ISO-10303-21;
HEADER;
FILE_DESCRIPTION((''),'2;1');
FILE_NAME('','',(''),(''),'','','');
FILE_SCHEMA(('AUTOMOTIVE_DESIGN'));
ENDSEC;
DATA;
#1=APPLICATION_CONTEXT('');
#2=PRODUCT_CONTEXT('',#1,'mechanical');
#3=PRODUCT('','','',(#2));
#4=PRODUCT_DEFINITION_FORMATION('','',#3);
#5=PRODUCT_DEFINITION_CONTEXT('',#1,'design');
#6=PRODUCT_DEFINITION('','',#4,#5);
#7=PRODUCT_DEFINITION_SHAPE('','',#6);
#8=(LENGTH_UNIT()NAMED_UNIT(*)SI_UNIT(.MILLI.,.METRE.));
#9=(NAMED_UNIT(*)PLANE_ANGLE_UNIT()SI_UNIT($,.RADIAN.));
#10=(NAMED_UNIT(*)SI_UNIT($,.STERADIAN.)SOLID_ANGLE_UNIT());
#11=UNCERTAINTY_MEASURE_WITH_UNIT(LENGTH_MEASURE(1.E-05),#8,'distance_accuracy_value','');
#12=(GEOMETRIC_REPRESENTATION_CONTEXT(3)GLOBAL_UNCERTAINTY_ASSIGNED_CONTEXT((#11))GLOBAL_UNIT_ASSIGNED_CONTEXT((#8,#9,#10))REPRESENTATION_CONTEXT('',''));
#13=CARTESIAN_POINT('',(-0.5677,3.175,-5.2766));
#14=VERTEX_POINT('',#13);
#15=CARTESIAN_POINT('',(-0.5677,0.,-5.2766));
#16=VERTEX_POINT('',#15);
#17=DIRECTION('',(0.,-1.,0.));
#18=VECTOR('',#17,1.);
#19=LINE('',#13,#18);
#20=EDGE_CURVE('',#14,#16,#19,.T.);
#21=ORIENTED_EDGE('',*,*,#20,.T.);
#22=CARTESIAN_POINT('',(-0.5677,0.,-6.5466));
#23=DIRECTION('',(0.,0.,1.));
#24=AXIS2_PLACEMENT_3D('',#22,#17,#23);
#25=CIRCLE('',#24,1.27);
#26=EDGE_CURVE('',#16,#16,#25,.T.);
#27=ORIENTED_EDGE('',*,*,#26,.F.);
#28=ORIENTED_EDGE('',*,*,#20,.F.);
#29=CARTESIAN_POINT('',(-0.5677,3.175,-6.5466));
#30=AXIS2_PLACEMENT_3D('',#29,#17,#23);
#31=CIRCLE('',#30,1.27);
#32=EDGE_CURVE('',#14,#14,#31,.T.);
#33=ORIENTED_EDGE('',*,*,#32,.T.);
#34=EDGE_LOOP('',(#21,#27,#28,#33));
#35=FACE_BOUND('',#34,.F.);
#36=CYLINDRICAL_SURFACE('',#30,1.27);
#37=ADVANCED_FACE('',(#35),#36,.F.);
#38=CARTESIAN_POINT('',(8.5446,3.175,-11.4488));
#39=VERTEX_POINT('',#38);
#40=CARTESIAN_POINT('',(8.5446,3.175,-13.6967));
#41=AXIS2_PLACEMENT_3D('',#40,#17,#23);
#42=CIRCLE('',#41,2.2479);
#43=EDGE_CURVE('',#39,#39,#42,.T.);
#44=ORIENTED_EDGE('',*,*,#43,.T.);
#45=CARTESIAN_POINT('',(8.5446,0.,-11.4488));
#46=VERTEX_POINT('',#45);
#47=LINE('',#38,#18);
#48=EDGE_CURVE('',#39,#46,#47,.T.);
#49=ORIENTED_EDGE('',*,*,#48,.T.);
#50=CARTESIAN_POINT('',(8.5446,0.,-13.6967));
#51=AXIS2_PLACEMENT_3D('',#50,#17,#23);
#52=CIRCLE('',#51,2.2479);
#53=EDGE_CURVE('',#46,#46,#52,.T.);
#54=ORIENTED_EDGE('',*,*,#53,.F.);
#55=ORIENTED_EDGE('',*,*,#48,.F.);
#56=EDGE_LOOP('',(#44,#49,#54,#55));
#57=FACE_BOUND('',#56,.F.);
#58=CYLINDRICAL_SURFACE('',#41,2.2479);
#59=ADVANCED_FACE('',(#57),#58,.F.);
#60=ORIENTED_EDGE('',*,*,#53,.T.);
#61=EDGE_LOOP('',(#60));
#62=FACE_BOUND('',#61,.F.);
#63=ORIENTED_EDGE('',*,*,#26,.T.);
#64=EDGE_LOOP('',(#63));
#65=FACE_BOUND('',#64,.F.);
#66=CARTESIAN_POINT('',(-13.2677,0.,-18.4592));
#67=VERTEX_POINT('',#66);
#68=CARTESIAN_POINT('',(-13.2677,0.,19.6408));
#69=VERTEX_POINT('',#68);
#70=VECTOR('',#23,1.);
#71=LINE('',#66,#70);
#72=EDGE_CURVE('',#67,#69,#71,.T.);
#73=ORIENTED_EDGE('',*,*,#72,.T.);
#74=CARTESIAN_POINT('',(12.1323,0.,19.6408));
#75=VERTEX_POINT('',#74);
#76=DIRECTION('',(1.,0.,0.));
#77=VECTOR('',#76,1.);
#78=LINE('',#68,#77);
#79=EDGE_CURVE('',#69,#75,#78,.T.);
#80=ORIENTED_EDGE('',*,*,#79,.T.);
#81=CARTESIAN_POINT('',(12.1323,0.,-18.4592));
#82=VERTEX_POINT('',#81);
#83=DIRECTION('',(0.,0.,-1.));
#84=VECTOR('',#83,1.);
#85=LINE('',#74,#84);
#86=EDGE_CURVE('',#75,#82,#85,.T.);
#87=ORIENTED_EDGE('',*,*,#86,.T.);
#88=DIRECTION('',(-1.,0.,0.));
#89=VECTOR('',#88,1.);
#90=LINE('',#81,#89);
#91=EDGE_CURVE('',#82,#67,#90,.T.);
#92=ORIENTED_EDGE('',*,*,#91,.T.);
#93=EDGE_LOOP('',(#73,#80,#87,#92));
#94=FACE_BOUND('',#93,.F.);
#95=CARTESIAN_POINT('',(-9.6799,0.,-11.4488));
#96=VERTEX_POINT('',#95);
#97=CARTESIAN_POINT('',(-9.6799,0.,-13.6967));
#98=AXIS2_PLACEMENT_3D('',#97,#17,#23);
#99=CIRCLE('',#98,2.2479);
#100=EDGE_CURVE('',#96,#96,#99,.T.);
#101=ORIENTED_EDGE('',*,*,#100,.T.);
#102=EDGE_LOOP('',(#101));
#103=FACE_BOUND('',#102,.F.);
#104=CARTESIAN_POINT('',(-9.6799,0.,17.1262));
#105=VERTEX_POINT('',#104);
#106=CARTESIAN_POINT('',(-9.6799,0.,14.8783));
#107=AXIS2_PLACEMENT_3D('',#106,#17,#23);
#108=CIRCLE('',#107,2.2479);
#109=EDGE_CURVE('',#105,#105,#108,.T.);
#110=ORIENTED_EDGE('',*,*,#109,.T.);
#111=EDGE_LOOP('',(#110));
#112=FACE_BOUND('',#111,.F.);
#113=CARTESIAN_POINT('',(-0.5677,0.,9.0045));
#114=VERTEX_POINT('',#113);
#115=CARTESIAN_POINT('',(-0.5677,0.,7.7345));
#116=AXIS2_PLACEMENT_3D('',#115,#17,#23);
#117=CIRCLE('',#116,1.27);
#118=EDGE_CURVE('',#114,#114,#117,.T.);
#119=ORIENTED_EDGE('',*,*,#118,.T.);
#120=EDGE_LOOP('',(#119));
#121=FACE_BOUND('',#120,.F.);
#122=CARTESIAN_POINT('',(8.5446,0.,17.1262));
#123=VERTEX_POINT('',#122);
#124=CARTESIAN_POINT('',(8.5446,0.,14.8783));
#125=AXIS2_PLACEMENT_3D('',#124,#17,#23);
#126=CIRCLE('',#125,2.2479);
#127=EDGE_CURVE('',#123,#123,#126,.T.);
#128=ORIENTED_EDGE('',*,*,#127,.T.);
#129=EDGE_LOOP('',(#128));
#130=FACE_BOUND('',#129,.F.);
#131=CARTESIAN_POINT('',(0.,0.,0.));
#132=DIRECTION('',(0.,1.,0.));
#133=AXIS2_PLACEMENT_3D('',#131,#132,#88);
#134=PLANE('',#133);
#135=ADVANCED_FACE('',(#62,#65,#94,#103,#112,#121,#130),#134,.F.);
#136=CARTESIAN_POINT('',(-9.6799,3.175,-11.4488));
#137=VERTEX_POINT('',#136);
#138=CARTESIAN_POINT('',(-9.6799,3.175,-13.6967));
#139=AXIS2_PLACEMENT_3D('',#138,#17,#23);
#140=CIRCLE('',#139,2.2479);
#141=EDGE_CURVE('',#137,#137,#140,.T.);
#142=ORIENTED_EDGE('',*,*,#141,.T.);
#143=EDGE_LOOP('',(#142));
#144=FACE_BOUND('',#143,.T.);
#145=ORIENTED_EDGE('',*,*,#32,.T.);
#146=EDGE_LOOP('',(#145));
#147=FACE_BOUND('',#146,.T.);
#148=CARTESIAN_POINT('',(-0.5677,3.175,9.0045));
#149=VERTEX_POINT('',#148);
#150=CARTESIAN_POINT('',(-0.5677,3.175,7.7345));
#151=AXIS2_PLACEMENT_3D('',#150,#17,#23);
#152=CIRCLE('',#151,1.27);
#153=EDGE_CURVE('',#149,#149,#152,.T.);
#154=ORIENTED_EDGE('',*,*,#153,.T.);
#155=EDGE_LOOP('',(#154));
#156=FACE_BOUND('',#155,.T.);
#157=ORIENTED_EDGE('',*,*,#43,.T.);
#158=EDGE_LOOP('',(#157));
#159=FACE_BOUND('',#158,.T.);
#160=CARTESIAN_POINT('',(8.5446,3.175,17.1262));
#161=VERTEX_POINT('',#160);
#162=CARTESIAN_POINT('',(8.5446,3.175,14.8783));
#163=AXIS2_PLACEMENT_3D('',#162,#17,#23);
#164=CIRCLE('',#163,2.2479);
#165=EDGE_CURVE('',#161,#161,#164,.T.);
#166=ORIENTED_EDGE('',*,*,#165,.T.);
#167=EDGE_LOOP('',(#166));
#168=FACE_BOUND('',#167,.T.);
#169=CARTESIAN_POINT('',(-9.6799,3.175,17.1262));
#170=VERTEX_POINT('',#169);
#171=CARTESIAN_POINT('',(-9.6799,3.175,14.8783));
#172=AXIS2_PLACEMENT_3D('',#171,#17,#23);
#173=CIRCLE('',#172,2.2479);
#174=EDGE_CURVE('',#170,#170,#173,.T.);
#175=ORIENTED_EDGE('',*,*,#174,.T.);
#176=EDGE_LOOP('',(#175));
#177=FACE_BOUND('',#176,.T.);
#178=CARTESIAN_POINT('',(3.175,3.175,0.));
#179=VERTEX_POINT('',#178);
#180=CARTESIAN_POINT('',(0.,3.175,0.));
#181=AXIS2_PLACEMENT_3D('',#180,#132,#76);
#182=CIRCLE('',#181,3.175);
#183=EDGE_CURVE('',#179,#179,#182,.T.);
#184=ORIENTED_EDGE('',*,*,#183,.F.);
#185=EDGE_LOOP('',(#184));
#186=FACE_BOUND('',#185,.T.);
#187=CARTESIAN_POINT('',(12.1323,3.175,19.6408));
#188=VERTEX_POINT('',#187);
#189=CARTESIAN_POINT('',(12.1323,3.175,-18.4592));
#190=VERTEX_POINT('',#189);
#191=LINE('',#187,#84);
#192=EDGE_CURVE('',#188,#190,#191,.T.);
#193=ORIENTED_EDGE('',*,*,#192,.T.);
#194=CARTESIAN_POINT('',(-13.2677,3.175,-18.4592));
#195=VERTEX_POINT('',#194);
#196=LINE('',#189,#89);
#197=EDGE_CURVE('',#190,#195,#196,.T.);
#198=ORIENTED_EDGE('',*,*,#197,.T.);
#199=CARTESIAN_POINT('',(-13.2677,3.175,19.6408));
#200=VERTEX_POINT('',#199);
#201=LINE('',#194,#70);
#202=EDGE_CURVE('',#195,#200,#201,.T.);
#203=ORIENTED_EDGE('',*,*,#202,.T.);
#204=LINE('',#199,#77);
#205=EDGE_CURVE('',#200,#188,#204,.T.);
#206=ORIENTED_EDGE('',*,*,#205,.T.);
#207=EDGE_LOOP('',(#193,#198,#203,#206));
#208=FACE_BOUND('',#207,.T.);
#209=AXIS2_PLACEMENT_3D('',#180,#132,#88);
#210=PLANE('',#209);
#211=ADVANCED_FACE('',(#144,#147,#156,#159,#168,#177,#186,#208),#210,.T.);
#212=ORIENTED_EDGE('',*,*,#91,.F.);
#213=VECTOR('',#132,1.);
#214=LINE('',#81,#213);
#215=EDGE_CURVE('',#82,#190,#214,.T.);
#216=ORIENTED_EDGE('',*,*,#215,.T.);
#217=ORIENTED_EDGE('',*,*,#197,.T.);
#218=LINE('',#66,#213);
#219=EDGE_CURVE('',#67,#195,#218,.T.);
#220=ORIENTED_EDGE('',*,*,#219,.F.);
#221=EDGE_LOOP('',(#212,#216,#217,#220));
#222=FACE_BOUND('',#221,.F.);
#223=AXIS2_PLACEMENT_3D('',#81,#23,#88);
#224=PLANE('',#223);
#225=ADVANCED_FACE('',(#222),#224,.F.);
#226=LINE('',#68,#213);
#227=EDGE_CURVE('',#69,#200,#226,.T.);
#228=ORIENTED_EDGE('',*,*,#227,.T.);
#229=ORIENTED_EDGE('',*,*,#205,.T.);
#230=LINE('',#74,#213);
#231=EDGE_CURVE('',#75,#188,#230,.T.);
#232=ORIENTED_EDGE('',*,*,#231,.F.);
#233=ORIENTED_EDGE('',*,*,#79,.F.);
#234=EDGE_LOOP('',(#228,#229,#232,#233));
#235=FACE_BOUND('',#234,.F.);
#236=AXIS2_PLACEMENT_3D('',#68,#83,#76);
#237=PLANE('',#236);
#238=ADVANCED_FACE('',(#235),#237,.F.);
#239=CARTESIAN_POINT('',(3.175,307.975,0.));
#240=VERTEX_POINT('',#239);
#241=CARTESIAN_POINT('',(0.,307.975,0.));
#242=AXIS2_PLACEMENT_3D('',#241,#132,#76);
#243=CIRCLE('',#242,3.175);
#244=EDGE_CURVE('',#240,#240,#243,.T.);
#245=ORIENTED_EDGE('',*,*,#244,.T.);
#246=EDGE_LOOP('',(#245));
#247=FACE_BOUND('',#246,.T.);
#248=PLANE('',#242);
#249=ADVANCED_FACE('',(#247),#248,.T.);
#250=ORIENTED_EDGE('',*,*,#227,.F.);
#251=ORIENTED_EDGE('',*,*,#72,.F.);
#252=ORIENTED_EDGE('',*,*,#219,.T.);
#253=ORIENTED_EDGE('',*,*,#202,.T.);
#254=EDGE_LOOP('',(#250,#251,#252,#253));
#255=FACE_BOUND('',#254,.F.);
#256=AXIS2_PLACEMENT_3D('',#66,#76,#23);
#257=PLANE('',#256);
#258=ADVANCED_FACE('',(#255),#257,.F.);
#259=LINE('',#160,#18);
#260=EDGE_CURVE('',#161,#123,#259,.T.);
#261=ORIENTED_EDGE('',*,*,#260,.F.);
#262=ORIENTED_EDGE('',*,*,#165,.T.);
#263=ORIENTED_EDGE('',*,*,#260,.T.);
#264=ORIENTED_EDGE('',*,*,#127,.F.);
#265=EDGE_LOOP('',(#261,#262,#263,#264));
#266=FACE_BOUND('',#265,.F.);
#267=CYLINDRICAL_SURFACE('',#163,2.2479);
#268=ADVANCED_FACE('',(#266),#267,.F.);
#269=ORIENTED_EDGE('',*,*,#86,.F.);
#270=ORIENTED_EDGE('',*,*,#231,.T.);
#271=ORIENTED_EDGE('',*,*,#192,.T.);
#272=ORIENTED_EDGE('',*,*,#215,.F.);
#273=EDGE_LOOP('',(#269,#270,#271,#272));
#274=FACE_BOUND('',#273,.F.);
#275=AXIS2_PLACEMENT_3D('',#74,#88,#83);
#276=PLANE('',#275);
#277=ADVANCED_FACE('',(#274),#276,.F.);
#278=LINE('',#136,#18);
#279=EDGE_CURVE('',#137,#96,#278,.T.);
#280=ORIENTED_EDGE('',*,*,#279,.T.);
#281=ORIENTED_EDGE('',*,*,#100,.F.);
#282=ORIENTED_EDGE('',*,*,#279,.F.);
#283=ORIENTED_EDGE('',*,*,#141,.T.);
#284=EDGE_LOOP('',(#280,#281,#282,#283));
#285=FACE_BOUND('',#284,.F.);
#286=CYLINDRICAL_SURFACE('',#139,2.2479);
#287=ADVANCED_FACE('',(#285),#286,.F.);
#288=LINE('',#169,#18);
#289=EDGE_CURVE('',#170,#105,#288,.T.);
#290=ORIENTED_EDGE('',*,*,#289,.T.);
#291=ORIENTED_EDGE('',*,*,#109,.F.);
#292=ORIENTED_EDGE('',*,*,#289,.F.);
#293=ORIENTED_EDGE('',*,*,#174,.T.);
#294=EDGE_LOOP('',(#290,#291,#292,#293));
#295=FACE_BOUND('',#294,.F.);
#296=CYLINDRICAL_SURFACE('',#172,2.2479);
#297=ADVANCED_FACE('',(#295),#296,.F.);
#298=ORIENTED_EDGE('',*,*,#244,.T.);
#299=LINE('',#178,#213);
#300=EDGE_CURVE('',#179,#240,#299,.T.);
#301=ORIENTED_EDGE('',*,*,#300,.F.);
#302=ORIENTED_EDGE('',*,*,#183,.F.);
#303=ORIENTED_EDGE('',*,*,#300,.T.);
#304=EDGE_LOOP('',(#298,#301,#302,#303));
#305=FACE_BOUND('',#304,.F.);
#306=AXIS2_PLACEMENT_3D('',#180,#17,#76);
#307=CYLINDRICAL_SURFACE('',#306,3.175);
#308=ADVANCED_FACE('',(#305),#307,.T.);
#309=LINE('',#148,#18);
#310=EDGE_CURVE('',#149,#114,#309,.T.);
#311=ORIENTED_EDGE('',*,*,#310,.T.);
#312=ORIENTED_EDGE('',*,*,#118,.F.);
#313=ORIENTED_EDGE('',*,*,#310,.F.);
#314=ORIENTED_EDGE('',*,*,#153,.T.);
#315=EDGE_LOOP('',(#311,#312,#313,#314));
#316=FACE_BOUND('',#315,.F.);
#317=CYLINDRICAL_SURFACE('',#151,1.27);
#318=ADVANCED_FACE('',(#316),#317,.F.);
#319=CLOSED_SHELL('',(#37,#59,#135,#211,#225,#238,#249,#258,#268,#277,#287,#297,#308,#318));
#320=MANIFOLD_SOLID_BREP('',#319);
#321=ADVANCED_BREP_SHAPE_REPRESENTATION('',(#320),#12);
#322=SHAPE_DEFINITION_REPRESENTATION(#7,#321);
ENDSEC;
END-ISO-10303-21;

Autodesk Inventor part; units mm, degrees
ref_plane "YZ Plane" through (0, 0, 0) normal (1, 0, 0) x (0, 1, 0)
ref_plane "XZ Plane" through (0, 0, 0) normal (0, 1, 0) x (-1, 0, 0)
ref_plane "XY Plane" through (0, 0, 0) normal (0, 0, 1) x (1, 0, 0)
sketch "Sketch1" plane through (0, 0, 0) normal (0, 1, 0) x (-1, 0, 0)
  line L0 (13.2677, 19.6408) -> (-12.1323, 19.6408)
  line L1 (-12.1323, 19.6408) -> (-12.1323, -18.4592)
  line L2 (-12.1323, -18.4592) -> (13.2677, -18.4592)
  line L3 (13.2677, -18.4592) -> (13.2677, 19.6408)
  point P0 (0, 0)
  dimension "d0" = 25.4
  dimension "d1" = 38.1
extrude "Extrusion1" add sketch "Sketch1" along normal blind 3.175
hole "Hole1" at (-9.6799, 3.175, 14.8783) direction (0, -1, 0) diameter 4.4958 depth 3.175 clearance for "Flat Head Machine Screw (82)" size "#8" standard "Ansi Unified Screw Threads"
hole "Hole2" at (8.5446, 3.175, 14.8783) direction (0, -1, 0) diameter 4.4958 depth 3.175 clearance for "Flat Head Machine Screw (82)" size "#8" standard "Ansi Unified Screw Threads"
hole "Hole3" at (-9.6799, 3.175, -13.6967) direction (0, -1, 0) diameter 4.4958 depth 3.175 clearance for "Flat Head Machine Screw (82)" size "#8" standard "Ansi Unified Screw Threads"
hole "Hole4" at (8.5446, 3.175, -13.6967) direction (0, -1, 0) diameter 4.4958 depth 3.175 clearance for "Flat Head Machine Screw (82)" size "#8" standard "Ansi Unified Screw Threads"
hole "Hole5" at (-0.5677, 3.175, -6.5466) direction (0, -1, 0) diameter 2.54 depth 3.175
hole "Hole6" at (-0.5677, 3.175, 7.7345) direction (0, -1, 0) diameter 2.54 depth 3.175
sketch "Sketch2" plane through (0, 3.175, 0) normal (0, 1, 0) x (1, 0, 0)
  circle A0 centre (0, 0) radius 3.175
  dimension "d58" = 6.35
extrude "Extrusion2" add sketch "Sketch2" along normal blind 304.8
properties part number "Shield_1"
